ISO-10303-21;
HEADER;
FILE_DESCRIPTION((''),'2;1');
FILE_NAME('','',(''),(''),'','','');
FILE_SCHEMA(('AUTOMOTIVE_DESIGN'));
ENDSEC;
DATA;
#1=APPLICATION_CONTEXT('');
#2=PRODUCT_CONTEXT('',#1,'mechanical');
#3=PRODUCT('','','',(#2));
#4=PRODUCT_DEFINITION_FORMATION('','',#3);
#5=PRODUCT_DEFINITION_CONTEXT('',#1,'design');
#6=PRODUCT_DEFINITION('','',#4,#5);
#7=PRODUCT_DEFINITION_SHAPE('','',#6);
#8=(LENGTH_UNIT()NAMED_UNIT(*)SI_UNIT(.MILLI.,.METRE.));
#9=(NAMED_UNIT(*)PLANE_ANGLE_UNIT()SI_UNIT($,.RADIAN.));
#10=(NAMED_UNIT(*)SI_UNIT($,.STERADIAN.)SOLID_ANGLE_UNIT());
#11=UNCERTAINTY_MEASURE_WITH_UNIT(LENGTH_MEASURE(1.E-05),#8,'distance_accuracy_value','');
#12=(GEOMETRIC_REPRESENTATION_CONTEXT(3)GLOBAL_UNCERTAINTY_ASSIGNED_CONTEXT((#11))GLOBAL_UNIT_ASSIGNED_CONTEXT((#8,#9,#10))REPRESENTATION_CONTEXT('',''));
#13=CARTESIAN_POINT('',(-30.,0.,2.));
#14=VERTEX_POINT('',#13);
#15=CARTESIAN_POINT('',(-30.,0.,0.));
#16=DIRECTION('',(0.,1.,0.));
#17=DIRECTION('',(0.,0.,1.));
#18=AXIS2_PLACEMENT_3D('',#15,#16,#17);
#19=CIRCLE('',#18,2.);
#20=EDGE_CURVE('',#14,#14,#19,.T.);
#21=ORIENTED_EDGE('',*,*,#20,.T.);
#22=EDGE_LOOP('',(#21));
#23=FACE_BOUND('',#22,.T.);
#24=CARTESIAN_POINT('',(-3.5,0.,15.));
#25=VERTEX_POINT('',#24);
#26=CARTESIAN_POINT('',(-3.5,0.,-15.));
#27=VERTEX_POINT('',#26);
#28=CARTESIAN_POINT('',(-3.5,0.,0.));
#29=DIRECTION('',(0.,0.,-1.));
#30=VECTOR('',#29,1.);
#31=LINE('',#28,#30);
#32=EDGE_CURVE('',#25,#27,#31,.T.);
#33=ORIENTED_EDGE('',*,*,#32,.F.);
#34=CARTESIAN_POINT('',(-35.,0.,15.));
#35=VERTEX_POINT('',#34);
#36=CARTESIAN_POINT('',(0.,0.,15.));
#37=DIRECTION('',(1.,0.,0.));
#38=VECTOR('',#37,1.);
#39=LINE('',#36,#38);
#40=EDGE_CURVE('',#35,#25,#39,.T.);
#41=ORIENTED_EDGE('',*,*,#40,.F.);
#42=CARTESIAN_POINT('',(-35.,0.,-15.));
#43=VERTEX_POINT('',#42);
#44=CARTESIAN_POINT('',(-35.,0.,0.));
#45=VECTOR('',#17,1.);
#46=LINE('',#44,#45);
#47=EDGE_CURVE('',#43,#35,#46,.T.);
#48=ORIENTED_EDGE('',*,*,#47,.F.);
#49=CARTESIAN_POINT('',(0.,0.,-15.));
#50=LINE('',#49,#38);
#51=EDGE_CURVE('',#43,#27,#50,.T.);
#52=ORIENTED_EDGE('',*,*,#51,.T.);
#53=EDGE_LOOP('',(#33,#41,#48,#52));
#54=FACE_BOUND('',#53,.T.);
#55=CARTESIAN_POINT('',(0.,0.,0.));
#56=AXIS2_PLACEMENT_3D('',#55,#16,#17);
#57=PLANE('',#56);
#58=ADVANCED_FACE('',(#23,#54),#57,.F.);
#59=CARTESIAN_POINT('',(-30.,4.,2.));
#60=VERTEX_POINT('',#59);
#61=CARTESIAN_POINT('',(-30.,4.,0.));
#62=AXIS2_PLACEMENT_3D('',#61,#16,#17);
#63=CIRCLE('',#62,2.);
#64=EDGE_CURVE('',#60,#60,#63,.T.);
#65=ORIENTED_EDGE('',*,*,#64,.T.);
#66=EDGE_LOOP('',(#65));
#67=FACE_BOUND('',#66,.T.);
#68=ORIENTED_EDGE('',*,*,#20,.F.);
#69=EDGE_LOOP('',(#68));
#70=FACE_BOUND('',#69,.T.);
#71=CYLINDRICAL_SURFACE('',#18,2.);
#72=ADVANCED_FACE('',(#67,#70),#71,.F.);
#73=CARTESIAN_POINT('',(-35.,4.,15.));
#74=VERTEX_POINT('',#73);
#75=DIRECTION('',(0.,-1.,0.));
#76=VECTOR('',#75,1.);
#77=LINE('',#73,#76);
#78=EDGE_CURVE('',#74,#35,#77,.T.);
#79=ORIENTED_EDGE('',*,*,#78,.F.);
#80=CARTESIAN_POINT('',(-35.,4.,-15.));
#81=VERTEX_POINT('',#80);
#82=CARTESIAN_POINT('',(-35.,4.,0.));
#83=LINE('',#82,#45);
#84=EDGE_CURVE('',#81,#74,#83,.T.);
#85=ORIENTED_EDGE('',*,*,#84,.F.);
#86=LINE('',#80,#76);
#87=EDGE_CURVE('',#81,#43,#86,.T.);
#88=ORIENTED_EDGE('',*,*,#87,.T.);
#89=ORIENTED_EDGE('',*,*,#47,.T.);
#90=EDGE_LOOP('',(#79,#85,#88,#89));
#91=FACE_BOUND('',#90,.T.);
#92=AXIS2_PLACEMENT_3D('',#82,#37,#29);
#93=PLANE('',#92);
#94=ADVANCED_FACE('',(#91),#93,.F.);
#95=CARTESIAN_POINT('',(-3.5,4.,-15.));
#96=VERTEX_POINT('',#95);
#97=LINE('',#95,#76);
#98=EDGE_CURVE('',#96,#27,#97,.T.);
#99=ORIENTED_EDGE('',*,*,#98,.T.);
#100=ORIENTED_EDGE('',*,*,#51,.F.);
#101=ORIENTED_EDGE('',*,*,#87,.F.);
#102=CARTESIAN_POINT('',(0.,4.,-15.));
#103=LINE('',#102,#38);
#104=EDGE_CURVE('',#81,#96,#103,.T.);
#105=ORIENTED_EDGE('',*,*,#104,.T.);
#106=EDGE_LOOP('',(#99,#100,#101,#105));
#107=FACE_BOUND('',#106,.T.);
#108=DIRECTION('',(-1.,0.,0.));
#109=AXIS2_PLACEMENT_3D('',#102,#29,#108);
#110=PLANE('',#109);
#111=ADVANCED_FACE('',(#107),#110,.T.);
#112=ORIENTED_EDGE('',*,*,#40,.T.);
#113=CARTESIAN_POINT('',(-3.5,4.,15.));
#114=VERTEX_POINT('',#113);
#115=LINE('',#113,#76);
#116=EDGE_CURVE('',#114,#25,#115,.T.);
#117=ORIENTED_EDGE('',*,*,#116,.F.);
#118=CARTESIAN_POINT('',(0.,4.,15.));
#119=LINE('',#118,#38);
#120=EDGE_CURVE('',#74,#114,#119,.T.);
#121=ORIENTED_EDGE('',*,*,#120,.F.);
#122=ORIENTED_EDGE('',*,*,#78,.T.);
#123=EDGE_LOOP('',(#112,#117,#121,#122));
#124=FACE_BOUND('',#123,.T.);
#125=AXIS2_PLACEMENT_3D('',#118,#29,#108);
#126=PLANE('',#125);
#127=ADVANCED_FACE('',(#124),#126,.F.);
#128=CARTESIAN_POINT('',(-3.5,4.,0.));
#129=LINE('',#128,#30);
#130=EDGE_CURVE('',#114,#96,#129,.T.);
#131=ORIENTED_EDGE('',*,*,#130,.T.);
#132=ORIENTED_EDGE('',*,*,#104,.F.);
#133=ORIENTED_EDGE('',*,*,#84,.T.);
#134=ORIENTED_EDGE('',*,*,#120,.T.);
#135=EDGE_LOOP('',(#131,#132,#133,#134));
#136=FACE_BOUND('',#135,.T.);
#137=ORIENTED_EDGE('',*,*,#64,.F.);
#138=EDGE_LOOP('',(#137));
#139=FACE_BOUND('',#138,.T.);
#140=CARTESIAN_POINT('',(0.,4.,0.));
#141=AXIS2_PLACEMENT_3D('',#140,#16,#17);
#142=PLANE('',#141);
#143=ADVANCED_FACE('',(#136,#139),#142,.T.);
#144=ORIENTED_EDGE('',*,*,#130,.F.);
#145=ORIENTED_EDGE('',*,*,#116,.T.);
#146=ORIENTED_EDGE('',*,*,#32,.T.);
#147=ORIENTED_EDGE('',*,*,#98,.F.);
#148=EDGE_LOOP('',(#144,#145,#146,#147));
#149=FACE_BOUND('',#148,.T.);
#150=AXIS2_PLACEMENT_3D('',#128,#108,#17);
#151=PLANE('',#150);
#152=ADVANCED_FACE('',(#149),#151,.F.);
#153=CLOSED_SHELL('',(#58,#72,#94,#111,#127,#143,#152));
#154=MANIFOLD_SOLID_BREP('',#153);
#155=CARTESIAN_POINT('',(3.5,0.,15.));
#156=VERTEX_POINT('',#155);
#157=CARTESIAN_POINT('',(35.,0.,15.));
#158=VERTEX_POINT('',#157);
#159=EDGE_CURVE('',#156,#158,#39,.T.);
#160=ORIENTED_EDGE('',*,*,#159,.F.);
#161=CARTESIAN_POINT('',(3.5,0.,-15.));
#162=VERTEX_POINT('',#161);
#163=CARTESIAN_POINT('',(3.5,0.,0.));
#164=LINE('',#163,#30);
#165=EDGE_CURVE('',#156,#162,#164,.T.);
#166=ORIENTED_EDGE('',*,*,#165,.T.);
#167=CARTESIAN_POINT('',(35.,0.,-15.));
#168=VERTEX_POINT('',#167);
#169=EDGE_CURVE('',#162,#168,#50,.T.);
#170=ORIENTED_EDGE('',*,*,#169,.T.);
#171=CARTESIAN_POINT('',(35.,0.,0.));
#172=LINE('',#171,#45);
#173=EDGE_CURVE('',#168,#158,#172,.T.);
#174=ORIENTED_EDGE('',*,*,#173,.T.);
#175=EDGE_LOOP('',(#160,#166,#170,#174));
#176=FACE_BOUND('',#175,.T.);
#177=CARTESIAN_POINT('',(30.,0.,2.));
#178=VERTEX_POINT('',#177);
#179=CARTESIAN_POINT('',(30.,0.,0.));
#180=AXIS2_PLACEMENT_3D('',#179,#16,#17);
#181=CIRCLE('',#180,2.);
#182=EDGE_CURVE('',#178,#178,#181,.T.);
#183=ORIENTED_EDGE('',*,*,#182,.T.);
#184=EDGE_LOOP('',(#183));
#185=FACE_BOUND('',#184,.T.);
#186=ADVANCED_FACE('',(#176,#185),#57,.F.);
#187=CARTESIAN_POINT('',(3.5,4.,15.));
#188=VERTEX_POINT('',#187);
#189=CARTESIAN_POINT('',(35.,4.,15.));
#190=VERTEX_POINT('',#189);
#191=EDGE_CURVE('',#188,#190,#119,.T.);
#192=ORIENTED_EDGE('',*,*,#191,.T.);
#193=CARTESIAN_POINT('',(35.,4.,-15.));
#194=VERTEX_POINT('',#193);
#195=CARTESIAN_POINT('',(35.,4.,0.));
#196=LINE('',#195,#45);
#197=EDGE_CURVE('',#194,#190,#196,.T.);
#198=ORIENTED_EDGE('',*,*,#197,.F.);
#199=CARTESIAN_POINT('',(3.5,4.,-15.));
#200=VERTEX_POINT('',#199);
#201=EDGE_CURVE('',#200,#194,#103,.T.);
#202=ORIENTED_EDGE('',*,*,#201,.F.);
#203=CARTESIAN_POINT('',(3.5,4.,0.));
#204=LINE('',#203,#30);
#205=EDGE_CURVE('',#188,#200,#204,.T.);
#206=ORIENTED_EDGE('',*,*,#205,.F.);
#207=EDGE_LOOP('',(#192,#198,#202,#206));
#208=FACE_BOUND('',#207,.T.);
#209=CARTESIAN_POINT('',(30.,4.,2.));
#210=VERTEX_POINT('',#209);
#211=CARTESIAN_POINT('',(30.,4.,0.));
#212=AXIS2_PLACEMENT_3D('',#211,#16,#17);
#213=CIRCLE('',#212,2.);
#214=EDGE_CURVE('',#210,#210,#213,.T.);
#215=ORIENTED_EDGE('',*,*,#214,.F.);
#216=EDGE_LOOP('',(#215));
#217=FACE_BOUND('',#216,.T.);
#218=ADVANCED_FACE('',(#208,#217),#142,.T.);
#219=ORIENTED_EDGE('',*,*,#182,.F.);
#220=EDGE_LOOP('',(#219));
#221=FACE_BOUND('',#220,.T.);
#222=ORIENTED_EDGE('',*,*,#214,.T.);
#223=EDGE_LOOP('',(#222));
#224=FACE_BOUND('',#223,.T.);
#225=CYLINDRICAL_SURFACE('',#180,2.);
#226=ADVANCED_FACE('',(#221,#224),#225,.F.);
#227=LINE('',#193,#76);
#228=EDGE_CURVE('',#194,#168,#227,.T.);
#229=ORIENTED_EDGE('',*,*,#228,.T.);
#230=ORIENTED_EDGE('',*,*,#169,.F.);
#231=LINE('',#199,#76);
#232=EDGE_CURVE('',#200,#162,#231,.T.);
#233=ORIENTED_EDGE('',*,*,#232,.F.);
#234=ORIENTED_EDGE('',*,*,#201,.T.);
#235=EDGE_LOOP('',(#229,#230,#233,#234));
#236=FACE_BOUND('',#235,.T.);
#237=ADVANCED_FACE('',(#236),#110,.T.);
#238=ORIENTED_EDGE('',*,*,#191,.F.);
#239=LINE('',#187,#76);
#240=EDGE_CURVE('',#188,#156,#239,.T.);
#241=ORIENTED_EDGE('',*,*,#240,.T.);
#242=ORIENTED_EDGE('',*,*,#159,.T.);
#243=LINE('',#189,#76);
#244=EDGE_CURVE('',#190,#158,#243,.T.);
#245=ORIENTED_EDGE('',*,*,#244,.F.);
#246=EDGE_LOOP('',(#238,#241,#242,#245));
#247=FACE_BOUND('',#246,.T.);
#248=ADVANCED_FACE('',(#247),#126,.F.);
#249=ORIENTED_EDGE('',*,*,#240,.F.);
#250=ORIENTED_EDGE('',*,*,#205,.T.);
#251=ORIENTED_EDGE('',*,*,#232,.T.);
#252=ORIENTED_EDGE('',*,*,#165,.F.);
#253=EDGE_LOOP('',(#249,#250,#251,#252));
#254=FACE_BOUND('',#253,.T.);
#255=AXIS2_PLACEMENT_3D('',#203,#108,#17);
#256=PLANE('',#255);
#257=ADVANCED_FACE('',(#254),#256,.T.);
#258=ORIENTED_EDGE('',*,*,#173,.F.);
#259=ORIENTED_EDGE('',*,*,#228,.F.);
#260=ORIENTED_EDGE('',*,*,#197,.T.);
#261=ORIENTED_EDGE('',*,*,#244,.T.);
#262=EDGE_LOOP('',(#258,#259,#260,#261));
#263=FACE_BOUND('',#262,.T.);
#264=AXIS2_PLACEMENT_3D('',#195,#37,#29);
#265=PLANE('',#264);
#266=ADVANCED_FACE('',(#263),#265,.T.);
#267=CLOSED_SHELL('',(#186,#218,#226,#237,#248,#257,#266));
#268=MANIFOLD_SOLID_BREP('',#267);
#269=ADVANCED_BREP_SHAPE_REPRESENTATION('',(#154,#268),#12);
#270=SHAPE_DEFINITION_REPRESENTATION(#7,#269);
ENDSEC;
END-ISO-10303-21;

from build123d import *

# Parameters (mm, degrees)
SKETCH1_W             = 31.5
SKETCH1_H             = 30
BOSS_EXTRUDE1_DEPTH   = 4
BOSS_EXTRUDE1_2_DEPTH = 4
SKETCH2_R             = 2
CUT_EXTRUDE1_DEPTH    = 4


with BuildPart() as part:
    # Sketch1 → Boss-Extrude1 (new body)
    with BuildSketch(Plane(origin=(0, 0, 0), x_dir=(1, 0, 0), z_dir=(0, 1, 0))):
        with Locations((-19.25, 0)):
            Rectangle(SKETCH1_W, SKETCH1_H)
    extrude(amount=BOSS_EXTRUDE1_DEPTH)


with BuildPart() as body_2:
    # Sketch1 → Boss-Extrude1 2 (new body)
    with BuildSketch(Plane(origin=(0, 0, 0), x_dir=(1, 0, 0), z_dir=(0, 1, 0))):
        with Locations((19.25, 0)):
            Rectangle(SKETCH1_W, SKETCH1_H)
    extrude(amount=BOSS_EXTRUDE1_2_DEPTH)


with BuildPart() as cut_extrude1_tool:
    # Sketch2 → Cut-Extrude1 (new body)
    with BuildSketch(Plane(origin=(0, 4, 0), x_dir=(1, 0, 0), z_dir=(0, 1, 0))):
        with Locations((-30, 0)):
            Circle(SKETCH2_R)
        with Locations((30, 0)):
            Circle(SKETCH2_R)
    extrude(amount=-CUT_EXTRUDE1_DEPTH)


with BuildPart() as part_1:
    add(part.part)

    # Cut-Extrude1: cut by cut_extrude1_tool
    add(cut_extrude1_tool.part, mode=Mode.SUBTRACT)


with BuildPart() as body_2_1:
    add(body_2.part)

    # Cut-Extrude1: cut by cut_extrude1_tool
    add(cut_extrude1_tool.part, mode=Mode.SUBTRACT)


solid = Compound([part_1.part, body_2_1.part])
